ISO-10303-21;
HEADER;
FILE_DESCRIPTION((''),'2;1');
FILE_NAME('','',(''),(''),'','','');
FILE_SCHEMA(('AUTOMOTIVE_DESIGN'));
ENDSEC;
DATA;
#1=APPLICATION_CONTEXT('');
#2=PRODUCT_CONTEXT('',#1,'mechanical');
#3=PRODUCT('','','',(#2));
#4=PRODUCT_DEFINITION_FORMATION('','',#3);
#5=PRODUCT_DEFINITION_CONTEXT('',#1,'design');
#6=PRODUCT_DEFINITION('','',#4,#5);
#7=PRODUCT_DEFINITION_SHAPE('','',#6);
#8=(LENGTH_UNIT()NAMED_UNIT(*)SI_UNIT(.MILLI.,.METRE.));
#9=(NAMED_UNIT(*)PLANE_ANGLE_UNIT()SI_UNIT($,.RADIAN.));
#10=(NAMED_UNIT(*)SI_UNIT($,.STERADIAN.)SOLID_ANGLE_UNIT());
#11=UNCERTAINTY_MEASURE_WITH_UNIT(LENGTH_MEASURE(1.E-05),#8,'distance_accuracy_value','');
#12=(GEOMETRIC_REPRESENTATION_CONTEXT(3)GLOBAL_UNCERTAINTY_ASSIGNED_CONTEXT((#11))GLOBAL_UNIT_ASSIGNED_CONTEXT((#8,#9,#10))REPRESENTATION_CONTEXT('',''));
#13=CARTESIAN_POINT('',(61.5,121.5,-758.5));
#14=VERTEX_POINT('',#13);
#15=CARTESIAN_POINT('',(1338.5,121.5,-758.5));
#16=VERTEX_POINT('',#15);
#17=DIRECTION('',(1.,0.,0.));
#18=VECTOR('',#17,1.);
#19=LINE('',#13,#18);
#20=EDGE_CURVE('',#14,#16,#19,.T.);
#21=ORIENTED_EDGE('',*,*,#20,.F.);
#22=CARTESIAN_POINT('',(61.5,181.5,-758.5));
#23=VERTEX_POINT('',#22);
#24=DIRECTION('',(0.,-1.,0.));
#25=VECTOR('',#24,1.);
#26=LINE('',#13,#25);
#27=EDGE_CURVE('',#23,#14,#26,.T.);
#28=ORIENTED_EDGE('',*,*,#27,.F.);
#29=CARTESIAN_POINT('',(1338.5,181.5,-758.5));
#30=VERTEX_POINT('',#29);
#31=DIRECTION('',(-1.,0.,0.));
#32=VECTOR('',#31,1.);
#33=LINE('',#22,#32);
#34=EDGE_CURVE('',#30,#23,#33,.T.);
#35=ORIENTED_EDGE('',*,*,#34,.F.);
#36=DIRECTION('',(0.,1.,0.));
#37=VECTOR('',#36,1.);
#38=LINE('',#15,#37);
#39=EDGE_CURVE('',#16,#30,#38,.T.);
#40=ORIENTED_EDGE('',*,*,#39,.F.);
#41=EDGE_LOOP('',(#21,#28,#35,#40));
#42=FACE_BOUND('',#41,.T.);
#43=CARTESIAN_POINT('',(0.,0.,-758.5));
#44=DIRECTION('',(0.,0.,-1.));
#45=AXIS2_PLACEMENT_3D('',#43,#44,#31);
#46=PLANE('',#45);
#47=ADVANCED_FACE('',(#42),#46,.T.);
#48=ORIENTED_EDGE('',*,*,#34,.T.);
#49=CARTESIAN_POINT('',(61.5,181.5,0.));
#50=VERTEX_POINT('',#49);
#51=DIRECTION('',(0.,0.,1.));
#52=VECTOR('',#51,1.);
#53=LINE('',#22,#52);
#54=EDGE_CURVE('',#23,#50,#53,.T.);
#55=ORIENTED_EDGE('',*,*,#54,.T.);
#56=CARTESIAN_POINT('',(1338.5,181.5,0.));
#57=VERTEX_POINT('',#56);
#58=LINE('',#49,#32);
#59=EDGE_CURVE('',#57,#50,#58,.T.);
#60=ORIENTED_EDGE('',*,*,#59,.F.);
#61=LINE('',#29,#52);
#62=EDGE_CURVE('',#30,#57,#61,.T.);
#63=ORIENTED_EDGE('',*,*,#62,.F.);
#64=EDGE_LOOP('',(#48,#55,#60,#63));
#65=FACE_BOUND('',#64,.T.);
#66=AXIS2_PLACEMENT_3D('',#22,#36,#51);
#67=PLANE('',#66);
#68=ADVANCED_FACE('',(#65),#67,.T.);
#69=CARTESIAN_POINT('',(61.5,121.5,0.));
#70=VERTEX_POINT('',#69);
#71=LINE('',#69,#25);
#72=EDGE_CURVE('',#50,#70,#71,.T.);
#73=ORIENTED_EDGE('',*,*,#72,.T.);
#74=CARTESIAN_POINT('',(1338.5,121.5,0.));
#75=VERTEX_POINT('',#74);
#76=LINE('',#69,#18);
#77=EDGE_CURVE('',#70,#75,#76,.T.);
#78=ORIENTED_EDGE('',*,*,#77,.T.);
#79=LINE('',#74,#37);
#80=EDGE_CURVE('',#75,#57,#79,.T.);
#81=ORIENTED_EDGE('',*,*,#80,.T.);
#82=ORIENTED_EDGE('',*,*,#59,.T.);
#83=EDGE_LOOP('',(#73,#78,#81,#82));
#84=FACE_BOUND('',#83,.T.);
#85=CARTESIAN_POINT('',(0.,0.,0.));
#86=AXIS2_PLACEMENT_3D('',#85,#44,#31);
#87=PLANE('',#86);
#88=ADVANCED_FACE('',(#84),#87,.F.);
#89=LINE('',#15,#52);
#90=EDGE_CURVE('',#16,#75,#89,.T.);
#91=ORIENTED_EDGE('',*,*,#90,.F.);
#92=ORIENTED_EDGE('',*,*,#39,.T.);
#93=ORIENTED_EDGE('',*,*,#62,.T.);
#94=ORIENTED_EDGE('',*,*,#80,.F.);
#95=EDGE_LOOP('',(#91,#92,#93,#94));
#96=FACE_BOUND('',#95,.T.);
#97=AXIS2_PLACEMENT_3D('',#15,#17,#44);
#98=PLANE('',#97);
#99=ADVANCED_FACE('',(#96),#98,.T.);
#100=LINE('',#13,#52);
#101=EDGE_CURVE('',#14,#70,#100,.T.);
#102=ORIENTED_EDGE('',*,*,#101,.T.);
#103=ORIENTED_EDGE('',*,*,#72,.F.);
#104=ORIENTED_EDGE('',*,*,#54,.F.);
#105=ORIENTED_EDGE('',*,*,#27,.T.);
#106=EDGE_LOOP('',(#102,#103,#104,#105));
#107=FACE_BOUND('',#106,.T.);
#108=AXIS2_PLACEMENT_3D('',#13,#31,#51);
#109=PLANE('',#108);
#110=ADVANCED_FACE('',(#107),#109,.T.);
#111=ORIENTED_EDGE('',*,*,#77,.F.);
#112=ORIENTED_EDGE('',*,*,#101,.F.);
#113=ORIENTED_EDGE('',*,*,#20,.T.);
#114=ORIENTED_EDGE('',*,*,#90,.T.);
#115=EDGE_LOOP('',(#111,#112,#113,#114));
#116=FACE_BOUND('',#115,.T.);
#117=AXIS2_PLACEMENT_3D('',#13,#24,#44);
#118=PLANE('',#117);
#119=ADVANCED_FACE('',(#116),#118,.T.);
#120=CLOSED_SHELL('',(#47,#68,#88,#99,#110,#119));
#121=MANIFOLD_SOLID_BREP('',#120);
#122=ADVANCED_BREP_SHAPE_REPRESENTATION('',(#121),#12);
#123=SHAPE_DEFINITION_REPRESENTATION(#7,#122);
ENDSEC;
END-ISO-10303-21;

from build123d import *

# Parameters (mm, degrees)
SKETCH1_W            = 1277
SKETCH1_H            = 60
STORE_PU_ALT_1_DEPTH = 758.5


with BuildPart() as part:
    # Sketch1 → STORE_pu_alt_1 (new body)
    with BuildSketch(Plane.XY):
        with Locations((700, 151.5)):
            Rectangle(SKETCH1_W, SKETCH1_H)
    extrude(amount=-STORE_PU_ALT_1_DEPTH)


solid = part.part
